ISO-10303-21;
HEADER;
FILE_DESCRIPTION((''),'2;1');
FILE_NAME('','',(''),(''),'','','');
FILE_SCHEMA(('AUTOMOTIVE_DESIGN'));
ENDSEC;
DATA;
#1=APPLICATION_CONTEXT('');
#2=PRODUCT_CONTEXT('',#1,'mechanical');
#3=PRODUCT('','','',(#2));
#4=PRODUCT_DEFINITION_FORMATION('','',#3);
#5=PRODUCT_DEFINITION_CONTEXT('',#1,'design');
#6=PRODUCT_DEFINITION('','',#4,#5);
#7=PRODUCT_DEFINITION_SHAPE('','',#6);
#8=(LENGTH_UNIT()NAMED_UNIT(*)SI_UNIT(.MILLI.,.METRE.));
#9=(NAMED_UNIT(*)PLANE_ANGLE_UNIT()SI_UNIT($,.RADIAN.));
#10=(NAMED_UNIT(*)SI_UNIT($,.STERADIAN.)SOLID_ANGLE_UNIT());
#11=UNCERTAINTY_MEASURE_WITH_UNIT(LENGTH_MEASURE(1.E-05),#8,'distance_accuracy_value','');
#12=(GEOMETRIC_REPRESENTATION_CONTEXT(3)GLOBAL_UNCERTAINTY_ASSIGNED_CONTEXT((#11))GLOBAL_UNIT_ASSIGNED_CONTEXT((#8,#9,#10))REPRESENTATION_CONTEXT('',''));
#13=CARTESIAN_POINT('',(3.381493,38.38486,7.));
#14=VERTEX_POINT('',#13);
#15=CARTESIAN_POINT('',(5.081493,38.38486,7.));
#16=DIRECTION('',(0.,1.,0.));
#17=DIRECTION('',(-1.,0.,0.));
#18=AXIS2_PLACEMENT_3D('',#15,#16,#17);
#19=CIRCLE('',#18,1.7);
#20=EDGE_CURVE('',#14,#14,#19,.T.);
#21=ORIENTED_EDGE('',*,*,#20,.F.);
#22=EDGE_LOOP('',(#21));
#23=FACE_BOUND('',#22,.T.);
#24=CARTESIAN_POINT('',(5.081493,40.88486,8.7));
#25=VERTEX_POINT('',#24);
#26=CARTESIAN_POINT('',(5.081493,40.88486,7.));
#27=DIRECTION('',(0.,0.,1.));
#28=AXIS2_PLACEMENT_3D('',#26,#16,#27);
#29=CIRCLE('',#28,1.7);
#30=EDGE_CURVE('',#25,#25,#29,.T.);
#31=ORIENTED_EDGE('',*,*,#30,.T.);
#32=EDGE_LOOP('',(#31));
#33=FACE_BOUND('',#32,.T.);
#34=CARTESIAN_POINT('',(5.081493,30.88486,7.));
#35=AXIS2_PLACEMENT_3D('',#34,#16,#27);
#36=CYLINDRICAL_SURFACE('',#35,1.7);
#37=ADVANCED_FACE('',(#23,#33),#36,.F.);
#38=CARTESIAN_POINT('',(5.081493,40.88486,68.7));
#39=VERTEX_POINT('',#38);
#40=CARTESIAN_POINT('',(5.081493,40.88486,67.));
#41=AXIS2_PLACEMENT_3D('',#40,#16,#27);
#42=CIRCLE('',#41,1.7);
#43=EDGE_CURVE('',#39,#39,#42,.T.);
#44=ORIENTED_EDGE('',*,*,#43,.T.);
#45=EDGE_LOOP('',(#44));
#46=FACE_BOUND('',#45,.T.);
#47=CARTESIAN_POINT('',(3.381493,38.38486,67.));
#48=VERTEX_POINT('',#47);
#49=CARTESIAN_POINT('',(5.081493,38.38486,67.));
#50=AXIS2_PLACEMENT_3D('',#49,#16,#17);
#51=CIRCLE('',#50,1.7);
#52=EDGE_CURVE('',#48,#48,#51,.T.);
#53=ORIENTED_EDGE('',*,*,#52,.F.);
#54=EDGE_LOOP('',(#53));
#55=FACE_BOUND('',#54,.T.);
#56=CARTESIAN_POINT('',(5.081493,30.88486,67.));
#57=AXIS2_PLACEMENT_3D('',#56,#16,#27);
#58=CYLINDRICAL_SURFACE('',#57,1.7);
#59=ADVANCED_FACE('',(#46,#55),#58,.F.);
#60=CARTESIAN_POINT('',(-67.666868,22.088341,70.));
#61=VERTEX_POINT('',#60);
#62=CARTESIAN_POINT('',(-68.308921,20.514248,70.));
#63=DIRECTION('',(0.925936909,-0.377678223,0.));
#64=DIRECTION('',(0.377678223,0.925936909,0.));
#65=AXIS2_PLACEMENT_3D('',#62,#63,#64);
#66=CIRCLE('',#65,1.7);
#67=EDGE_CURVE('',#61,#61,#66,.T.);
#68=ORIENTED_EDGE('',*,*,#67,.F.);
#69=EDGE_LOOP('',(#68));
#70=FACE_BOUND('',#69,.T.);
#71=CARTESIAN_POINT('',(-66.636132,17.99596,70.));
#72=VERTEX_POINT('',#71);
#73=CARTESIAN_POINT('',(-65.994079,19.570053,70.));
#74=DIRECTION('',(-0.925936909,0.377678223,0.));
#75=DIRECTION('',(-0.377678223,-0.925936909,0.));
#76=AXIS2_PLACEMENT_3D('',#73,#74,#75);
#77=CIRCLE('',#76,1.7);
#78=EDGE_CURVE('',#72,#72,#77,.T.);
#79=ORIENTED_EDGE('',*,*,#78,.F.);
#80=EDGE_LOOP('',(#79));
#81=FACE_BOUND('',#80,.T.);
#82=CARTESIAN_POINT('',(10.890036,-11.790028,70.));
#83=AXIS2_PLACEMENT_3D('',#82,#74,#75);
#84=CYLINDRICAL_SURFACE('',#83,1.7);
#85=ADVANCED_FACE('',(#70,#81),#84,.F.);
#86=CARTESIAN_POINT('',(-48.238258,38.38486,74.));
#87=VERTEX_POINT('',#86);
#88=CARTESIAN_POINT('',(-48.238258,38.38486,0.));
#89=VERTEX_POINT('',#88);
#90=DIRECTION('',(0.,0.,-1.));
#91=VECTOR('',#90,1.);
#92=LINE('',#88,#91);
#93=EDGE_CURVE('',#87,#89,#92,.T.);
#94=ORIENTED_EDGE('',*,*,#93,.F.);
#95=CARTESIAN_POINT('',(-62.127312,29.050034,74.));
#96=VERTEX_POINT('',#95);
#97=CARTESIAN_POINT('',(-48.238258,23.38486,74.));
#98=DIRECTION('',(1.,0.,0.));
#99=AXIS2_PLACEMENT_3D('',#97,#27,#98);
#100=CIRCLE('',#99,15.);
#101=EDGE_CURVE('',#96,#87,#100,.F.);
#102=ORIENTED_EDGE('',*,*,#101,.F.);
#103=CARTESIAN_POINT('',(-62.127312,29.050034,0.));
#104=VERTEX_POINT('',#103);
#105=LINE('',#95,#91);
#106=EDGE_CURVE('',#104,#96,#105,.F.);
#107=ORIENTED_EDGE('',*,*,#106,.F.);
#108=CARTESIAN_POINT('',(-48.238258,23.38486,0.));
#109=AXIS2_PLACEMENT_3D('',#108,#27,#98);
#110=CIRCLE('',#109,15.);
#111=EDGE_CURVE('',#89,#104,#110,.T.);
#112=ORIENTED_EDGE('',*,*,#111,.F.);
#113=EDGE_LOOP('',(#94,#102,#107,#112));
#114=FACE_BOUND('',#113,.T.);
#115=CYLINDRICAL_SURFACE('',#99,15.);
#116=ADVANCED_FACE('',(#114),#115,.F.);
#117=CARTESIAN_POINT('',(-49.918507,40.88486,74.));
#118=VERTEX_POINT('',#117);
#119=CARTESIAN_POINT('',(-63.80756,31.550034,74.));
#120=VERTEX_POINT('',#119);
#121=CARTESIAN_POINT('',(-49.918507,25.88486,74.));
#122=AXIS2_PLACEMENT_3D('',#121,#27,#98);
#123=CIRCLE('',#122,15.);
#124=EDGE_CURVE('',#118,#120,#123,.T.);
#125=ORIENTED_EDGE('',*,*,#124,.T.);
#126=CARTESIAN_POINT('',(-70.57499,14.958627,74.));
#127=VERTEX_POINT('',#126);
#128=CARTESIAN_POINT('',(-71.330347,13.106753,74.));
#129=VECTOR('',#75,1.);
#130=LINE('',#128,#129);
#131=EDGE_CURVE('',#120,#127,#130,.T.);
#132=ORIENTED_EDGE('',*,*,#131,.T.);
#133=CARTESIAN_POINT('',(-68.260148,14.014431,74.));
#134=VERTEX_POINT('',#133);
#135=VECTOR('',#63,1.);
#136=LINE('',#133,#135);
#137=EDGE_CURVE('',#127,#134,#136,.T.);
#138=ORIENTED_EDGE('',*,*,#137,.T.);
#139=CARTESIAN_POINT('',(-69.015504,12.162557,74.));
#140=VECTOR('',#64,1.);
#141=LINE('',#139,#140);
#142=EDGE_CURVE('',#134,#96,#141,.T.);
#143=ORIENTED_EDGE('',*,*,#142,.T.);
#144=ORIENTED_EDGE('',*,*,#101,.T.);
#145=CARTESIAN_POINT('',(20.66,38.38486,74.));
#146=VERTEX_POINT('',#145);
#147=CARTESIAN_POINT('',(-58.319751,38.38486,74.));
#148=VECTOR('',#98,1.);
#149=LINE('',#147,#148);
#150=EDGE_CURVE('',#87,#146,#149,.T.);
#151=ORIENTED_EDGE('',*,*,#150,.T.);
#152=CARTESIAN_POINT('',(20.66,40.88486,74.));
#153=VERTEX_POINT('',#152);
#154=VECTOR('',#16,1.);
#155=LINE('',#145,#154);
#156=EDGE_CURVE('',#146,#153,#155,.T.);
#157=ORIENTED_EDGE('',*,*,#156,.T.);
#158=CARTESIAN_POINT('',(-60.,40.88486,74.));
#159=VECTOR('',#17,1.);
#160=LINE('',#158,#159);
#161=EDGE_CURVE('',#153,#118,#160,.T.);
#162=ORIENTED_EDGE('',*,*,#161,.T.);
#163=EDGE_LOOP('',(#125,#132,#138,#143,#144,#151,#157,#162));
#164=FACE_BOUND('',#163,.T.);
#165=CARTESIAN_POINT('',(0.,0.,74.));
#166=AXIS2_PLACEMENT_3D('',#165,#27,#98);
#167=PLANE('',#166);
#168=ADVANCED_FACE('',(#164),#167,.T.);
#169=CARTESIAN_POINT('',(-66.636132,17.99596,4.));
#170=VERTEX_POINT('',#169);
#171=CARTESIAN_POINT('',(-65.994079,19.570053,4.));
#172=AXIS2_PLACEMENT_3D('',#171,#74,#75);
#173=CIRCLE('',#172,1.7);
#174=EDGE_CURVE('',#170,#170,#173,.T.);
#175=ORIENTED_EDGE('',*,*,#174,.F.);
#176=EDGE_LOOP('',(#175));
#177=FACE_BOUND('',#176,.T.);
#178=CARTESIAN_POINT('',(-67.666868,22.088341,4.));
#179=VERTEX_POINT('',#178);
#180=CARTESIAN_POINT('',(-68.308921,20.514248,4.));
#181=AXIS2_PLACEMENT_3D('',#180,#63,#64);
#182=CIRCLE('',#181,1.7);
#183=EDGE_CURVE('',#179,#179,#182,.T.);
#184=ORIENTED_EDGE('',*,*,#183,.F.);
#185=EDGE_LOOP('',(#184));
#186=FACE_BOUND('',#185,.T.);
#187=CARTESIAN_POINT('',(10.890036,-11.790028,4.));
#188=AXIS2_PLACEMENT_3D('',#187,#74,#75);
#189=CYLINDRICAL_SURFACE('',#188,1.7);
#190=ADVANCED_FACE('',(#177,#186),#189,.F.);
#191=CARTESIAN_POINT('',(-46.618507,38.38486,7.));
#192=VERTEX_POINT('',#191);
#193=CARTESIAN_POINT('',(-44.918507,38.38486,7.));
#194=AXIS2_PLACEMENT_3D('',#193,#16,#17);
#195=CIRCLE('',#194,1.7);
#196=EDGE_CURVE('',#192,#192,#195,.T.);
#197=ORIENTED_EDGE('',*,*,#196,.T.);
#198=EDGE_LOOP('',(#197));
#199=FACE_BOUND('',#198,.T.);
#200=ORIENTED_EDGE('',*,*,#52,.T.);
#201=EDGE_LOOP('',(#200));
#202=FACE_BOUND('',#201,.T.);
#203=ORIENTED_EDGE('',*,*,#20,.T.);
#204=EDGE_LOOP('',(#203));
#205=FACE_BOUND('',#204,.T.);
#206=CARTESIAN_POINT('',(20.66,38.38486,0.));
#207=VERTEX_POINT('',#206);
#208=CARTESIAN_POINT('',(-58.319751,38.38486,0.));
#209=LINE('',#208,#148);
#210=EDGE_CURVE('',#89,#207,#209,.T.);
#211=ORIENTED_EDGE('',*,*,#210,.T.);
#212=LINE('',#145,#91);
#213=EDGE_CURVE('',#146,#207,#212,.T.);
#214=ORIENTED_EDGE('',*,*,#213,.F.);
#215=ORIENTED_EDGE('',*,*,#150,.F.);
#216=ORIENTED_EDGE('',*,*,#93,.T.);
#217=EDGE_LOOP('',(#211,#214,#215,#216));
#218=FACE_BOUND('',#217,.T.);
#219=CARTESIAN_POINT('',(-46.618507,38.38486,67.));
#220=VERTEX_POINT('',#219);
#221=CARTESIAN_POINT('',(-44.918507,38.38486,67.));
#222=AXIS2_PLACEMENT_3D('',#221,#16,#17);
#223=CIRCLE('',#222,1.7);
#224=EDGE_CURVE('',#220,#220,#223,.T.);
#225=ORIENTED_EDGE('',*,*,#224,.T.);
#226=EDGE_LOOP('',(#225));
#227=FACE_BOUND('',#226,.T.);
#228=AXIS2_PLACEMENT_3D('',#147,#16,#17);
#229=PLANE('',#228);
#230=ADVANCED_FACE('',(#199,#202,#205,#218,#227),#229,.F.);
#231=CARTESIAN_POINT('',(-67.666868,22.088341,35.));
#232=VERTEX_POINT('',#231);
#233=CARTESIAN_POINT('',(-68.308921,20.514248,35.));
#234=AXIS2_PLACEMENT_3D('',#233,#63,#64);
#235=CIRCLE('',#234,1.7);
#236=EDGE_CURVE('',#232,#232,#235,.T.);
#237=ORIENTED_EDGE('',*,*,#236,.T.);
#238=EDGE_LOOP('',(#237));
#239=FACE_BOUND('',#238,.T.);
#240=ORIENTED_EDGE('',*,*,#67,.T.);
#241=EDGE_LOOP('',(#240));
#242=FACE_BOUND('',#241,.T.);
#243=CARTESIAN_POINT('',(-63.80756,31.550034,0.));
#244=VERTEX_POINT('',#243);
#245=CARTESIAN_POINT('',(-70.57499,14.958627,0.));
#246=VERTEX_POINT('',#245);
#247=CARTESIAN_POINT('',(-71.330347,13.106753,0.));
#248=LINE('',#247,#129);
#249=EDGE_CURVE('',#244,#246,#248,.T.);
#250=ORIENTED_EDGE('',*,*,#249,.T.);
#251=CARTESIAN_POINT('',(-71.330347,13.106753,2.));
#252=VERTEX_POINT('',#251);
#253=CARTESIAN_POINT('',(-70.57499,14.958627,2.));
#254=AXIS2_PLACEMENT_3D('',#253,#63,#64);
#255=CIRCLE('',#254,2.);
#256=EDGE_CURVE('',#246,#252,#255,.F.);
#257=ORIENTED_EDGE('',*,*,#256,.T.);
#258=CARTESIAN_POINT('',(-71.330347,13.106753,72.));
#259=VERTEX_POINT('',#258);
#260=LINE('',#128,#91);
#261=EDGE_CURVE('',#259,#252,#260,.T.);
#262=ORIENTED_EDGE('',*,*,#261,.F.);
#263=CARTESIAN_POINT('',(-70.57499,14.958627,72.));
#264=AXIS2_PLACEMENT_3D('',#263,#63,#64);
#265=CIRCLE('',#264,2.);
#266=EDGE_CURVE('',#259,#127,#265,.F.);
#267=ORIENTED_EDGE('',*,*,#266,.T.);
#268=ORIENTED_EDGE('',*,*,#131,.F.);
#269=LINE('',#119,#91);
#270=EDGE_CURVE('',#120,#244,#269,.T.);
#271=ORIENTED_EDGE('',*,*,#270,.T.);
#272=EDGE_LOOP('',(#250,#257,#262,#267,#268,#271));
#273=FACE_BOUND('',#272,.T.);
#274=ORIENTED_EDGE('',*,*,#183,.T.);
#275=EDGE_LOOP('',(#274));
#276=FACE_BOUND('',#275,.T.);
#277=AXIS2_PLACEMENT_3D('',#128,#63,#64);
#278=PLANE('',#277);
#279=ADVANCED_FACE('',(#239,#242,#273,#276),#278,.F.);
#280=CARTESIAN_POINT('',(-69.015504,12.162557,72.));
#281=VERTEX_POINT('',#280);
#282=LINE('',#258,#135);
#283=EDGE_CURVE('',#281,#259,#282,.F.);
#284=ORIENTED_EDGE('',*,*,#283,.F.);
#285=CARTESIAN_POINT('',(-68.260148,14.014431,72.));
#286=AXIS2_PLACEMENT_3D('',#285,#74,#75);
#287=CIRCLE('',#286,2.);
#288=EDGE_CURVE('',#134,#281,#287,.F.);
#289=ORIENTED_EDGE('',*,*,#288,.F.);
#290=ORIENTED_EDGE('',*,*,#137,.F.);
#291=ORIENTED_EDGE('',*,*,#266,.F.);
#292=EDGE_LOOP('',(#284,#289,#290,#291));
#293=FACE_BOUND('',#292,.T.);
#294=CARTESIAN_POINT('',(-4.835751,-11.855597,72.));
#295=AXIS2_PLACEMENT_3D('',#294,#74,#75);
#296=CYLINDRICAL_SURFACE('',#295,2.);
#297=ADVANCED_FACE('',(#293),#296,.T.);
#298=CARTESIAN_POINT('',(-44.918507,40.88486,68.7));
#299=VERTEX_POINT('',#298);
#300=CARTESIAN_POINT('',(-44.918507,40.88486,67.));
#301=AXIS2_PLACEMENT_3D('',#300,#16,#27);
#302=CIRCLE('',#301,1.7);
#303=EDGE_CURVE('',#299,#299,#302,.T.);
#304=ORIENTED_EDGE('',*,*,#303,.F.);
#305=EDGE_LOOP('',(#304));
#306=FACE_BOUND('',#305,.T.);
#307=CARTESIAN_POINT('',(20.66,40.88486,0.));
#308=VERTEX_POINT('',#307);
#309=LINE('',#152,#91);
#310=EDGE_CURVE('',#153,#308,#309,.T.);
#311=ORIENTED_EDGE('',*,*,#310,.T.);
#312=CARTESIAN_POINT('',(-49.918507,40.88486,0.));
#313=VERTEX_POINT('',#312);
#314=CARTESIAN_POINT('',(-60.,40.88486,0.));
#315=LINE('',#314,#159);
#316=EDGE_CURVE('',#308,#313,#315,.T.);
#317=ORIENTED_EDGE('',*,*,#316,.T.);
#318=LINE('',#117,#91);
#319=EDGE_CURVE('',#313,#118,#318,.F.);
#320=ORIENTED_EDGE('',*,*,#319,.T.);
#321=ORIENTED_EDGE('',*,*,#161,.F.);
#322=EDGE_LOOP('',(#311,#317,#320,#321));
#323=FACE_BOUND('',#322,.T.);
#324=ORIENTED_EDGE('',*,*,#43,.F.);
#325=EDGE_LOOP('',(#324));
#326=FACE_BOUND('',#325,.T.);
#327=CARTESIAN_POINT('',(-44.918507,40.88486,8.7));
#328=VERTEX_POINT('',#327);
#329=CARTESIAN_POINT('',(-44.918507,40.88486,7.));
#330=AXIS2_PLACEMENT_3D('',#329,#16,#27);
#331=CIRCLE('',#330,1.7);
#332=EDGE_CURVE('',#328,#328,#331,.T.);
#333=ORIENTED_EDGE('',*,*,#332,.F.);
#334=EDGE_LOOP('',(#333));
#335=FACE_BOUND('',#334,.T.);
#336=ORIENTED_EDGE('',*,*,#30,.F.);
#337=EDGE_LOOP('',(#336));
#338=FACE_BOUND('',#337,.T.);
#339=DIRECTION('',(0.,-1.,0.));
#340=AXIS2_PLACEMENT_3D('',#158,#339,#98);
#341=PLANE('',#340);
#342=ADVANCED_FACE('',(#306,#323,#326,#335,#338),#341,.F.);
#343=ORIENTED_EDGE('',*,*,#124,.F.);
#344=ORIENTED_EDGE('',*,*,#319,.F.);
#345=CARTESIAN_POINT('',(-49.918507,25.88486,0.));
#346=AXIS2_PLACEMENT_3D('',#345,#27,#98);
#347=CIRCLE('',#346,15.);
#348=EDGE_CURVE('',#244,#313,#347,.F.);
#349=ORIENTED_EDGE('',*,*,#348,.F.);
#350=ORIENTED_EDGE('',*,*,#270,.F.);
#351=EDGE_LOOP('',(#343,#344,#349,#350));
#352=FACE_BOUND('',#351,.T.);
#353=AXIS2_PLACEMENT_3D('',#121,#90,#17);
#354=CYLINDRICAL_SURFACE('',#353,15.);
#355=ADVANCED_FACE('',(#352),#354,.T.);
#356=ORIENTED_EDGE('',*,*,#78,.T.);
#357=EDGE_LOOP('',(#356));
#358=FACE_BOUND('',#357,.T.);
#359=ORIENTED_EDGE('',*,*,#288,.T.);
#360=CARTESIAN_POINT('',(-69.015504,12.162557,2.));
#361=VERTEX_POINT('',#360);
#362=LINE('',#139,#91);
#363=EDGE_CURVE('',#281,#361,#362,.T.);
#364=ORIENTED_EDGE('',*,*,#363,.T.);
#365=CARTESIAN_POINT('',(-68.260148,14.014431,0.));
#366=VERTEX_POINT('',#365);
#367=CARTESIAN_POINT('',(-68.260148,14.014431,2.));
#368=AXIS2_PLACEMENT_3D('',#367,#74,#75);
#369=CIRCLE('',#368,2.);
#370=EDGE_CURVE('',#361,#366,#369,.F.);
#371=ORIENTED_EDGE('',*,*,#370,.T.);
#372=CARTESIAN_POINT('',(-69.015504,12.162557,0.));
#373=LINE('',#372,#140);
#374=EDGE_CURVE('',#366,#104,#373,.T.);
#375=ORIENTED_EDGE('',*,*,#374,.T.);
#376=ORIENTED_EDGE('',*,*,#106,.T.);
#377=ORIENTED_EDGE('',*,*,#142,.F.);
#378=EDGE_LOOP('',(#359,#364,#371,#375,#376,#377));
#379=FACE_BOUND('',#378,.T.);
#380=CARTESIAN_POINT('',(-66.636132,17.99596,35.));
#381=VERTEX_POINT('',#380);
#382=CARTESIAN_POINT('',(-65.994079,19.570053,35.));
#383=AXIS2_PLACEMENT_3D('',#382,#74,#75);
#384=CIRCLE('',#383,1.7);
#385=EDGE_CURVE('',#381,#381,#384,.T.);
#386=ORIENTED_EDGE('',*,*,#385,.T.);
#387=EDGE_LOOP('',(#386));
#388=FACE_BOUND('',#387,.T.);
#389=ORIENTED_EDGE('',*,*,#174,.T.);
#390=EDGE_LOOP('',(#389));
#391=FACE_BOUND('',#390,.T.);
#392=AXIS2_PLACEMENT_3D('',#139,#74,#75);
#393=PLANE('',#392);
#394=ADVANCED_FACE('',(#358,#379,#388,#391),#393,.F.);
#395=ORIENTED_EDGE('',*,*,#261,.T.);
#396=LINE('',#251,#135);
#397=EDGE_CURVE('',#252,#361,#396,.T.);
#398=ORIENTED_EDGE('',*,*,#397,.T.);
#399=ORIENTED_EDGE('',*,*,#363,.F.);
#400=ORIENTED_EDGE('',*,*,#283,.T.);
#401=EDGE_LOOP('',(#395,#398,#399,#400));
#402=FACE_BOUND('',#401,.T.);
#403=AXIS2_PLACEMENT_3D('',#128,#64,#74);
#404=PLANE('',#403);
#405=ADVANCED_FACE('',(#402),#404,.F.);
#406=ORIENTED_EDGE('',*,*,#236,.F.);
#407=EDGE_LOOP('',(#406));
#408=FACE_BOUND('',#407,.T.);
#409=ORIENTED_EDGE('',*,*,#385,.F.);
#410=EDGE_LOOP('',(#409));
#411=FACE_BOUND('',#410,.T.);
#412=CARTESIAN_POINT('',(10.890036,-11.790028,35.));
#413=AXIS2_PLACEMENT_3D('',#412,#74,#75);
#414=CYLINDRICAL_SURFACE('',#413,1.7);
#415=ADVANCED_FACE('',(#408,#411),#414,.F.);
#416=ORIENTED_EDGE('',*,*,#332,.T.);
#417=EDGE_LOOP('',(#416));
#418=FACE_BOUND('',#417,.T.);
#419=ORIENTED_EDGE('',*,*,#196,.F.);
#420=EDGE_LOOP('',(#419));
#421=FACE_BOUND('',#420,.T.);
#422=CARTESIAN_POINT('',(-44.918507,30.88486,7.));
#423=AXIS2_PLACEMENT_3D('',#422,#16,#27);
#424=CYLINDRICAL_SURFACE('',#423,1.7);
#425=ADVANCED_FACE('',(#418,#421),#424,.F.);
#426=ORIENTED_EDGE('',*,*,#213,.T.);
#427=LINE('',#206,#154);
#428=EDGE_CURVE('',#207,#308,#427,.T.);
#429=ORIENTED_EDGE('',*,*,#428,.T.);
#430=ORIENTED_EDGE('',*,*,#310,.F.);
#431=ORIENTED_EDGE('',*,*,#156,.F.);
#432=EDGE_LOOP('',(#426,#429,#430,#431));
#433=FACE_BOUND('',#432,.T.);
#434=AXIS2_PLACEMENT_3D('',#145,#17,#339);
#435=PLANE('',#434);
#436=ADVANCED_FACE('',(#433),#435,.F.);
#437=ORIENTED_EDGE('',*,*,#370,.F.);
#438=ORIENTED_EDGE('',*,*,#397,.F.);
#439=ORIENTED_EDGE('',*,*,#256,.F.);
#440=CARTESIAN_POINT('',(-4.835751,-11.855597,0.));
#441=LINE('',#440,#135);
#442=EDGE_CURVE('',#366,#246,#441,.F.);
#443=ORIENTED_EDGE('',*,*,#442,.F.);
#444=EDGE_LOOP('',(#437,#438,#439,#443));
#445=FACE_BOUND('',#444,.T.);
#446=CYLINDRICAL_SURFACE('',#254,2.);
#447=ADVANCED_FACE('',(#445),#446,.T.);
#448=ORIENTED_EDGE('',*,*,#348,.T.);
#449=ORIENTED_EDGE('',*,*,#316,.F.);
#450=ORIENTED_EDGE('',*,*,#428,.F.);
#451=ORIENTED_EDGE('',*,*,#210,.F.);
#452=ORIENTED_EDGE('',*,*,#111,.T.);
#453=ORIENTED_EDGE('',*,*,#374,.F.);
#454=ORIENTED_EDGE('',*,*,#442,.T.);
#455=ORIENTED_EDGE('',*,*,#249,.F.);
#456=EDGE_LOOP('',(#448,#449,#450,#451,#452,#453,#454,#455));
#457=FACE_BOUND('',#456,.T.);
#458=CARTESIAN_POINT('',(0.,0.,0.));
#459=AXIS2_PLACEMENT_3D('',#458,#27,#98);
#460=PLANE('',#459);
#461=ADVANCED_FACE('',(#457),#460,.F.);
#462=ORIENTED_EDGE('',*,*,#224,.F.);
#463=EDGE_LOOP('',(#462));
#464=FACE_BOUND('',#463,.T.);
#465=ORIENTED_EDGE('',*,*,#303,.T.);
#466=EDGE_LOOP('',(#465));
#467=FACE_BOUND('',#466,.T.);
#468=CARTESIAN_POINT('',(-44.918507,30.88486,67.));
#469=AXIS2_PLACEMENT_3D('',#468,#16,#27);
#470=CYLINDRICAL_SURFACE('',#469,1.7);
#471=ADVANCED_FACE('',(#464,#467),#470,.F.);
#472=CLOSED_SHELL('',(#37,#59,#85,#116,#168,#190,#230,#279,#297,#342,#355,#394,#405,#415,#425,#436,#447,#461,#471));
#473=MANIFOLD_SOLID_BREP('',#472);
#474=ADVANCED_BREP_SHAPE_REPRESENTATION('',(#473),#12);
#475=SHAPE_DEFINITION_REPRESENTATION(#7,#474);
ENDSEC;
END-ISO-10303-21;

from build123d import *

# Parameters (mm, degrees)
ESTRUSIONE_ESTRUSIONE2_DEPTH  = 74
RACCORDO3_R                   = 15
RACCORDO4_R                   = 2
SCHIZZO10_R                   = 1.7
TAGLIO_ESTRUSIONE1_DEPTH      = 10
SCHIZZO13_R                   = 1.7
TAGLIO_ESTRUSIONE3_DEPTH      = 11.491186204
TAGLIO_ESTRUSIONE3_DEPTH_BACK = 86.53385939


with BuildPart() as part:
    # Schizzo2 → Estrusione-Estrusione2 (new body)
    with BuildSketch(Plane.XY):
        Polygon((-60, 40.884860172), (20.66, 40.884860172), (20.66, 38.384860172), (-58.319751134, 38.384860172), (-69.015504429, 12.162557341), (-71.330346702, 13.1067529), align=None)
    extrude(amount=ESTRUSIONE_ESTRUSIONE2_DEPTH)

    # Raccordo3
    raccordo3_edges = [part.edges().sort_by_distance(p)[0] for p in [
        (-60, 40.884860172, 37),
        (-58.319751134, 38.384860172, 37),
    ]]
    fillet(raccordo3_edges, radius=RACCORDO3_R)

    # Raccordo4
    raccordo4_edges = [part.edges().sort_by_distance(p)[0] for p in [
        (-70.172925565, 12.63465512, 74),
        (-70.172925565, 12.63465512, 0),
    ]]
    fillet(raccordo4_edges, radius=RACCORDO4_R)

    # Schizzo10 → Taglio-Estrusione1 (cut)
    with BuildSketch(Plane(origin=(0, 40.884860172, 0), x_dir=(1, 0, 0), z_dir=(0, 1, 0))):
        with Locations((5.081493197, -67)):
            Circle(SCHIZZO10_R)
        with Locations((5.081493197, -7)):
            Circle(SCHIZZO10_R)
        with Locations((-44.918506803, -67)):
            Circle(SCHIZZO10_R)
        with Locations((-44.918506803, -7)):
            Circle(SCHIZZO10_R)
    extrude(amount=-TAGLIO_ESTRUSIONE1_DEPTH, mode=Mode.SUBTRACT)

    # Schizzo13 → Taglio-Estrusione3 (cut, two sides)
    with BuildSketch(Plane(origin=(-65.73923894, 26.814223222, 0), x_dir=(0, 0, 1), z_dir=(-0.925936909, 0.377678223, 0))) as taglio_estrusione3_sk:
        with Locations((4, -6.803892348)):
            Circle(SCHIZZO13_R)
        with Locations((70, -6.803892348)):
            Circle(SCHIZZO13_R)
        with Locations((35, -6.803892348)):
            Circle(SCHIZZO13_R)
    extrude(amount=TAGLIO_ESTRUSIONE3_DEPTH, mode=Mode.SUBTRACT)
    extrude(taglio_estrusione3_sk.sketch, amount=-TAGLIO_ESTRUSIONE3_DEPTH_BACK, mode=Mode.SUBTRACT)


solid = part.part
